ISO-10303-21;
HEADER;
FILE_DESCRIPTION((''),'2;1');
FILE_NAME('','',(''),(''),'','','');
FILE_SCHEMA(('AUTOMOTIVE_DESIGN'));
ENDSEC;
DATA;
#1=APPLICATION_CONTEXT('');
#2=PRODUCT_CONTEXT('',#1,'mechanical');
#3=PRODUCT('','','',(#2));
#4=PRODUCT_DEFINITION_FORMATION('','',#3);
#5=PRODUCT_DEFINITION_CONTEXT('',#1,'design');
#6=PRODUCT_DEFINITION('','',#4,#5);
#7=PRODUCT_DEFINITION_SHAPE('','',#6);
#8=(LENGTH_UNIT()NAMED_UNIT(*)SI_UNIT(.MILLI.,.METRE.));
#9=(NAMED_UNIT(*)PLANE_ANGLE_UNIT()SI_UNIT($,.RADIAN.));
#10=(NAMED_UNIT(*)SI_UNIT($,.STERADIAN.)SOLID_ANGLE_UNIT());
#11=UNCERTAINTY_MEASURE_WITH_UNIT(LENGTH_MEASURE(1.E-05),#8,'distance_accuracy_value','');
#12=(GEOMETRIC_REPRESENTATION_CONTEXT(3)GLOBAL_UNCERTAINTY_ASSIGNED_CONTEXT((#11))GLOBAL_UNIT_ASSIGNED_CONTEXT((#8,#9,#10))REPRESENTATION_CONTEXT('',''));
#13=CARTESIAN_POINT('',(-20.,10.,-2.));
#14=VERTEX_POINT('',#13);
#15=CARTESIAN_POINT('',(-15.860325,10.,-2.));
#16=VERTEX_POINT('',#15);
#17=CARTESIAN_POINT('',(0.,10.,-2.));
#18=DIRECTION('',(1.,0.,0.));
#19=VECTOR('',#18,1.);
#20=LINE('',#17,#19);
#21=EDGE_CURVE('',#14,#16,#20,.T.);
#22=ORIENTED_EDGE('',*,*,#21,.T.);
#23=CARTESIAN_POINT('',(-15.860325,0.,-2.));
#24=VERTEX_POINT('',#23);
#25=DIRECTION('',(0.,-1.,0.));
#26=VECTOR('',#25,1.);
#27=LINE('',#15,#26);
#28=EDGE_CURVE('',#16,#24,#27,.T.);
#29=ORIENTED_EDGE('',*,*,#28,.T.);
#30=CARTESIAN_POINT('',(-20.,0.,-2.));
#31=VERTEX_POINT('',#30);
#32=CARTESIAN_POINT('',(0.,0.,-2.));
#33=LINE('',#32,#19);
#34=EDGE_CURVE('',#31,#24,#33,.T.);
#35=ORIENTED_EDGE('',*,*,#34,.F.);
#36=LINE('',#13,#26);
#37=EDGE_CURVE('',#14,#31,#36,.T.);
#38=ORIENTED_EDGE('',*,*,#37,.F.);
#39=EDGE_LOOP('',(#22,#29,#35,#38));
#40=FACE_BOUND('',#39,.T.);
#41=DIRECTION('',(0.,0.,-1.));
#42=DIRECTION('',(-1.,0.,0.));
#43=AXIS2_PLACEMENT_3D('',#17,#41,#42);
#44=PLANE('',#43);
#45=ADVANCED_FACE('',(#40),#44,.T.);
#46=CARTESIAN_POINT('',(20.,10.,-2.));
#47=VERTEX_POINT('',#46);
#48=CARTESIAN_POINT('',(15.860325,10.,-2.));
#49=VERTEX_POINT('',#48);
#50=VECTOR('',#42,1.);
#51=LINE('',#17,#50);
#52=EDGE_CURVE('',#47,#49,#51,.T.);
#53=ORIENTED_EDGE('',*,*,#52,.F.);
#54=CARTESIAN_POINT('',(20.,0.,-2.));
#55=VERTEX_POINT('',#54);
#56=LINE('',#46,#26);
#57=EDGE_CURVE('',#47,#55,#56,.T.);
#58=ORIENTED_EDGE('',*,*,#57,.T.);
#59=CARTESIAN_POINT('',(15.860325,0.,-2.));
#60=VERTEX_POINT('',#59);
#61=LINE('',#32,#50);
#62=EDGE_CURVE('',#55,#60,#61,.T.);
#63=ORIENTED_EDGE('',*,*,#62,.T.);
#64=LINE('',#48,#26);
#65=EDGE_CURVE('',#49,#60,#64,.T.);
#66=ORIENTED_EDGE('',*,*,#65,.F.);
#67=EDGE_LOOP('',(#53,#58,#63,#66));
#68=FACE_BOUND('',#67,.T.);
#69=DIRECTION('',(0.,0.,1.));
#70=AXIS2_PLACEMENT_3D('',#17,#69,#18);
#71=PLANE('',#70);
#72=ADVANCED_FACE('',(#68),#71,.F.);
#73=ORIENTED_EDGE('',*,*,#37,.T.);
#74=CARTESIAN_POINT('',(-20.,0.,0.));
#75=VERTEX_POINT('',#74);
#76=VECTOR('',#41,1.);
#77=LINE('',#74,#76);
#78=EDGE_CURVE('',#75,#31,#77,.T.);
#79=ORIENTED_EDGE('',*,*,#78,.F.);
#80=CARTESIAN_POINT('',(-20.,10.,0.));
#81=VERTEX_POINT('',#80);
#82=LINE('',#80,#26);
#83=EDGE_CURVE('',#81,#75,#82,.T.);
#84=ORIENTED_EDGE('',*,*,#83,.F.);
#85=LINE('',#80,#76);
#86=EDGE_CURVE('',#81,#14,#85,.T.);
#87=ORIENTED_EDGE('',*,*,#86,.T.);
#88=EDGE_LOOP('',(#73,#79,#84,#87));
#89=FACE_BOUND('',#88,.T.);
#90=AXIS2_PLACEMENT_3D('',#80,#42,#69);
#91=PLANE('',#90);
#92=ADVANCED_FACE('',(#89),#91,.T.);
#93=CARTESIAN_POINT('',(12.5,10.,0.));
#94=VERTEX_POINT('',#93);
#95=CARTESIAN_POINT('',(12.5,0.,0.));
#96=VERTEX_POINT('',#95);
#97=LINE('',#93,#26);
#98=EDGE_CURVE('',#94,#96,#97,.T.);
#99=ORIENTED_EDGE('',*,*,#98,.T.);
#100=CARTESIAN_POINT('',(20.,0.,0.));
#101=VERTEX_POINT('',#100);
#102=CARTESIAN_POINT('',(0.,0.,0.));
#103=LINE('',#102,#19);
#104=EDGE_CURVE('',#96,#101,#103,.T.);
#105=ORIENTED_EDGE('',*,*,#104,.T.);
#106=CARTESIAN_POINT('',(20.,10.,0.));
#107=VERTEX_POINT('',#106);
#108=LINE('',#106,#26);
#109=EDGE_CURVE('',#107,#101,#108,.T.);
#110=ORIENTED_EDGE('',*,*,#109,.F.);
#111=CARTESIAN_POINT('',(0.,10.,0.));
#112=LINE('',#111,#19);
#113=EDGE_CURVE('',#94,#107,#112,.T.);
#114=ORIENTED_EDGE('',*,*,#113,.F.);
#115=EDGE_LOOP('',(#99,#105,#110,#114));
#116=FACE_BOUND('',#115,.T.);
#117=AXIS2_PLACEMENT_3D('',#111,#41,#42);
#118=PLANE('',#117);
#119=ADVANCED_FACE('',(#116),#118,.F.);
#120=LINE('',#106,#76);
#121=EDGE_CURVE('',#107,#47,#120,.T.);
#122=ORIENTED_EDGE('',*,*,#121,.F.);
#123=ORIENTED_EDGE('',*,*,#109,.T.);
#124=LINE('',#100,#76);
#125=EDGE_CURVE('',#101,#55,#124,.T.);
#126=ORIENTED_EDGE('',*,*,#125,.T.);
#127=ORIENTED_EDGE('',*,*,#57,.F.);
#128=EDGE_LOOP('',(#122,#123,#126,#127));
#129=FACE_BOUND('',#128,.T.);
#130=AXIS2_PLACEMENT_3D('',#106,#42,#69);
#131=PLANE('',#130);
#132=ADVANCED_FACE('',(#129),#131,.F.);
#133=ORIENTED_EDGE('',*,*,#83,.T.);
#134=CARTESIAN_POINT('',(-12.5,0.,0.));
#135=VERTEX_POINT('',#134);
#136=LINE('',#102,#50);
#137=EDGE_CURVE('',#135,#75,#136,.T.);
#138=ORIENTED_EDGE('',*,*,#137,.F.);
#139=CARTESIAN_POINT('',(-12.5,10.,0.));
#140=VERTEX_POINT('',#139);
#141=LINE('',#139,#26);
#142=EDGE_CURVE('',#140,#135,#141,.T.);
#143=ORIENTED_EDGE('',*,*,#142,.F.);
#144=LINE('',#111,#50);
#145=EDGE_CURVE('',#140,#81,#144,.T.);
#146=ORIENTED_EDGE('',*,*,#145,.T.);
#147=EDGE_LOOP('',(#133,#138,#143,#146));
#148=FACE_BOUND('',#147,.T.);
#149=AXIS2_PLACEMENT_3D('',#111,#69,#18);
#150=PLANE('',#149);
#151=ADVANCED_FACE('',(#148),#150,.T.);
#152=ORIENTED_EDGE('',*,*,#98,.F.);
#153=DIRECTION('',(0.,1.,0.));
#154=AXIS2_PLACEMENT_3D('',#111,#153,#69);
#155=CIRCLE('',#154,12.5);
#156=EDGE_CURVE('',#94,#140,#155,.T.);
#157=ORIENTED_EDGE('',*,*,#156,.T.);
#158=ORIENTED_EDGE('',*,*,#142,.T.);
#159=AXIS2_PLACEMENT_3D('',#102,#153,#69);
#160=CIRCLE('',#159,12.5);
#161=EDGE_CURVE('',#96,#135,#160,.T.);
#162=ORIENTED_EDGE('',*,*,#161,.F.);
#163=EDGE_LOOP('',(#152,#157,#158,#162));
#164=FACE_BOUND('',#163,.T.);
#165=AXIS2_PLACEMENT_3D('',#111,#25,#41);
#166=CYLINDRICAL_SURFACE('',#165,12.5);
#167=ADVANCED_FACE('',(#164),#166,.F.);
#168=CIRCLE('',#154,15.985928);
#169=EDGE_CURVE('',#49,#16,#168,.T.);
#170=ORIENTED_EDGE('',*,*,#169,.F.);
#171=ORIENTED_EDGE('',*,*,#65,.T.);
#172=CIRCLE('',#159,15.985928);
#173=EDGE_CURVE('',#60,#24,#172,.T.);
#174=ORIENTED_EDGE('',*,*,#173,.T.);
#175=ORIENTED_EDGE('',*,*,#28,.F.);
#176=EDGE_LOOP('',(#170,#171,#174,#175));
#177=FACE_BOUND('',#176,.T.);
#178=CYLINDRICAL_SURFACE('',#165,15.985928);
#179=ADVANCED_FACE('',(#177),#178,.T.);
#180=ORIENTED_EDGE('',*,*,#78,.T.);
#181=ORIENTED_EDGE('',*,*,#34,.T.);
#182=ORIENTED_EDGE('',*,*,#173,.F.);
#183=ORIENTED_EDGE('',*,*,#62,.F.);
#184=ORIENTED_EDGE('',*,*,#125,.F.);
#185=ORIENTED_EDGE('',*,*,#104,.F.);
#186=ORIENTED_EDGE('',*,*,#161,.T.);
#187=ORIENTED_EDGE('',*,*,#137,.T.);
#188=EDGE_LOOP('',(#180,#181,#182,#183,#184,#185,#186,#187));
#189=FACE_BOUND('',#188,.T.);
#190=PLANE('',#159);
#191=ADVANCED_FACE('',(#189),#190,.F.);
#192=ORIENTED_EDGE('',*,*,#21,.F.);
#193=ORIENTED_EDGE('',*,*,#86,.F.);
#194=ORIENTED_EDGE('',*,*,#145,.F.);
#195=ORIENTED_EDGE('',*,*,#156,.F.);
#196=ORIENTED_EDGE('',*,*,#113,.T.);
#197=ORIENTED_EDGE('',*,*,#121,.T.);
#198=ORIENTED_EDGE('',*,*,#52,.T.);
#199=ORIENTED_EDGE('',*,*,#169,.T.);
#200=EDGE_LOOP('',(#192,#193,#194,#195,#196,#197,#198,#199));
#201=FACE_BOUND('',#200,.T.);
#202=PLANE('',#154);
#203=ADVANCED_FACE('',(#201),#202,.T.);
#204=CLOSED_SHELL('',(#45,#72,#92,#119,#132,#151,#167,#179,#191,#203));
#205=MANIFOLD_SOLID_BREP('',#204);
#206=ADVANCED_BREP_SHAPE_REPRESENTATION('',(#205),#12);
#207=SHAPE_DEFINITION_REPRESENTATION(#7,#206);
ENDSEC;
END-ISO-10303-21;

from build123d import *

# Parameters (mm, degrees)
BOSS_EXTRUDE1_DEPTH = 10


with BuildPart() as part:
    # Sketch1 → Boss-Extrude1 (new body)
    with BuildSketch(Plane(origin=(0, 0, 0), x_dir=(1, 0, 0), z_dir=(0, 1, 0))):
        with BuildLine():
            Line((-20, 0), (-15.985928344, 0))
            ThreePointArc((-15.985928344, 0), (-15.954496575, 1.001970088), (-15.860324871, 2))
            Line((-15.860324871, 2), (-19.202832359, 2))
            Line((-19.202832359, 2), (-20, 2))
            Line((-20, 2), (-20, 0))
        make_face()
        with BuildLine():
            Line((-15.985928344, 0), (-12.5, 0))
            ThreePointArc((-12.5, 0), (0, 12.5), (12.5, 0))
            Line((12.5, 0), (15.985928344, 0))
            ThreePointArc((15.985928344, 0), (15.954496575, 1.001970088), (15.860324871, 2))
            ThreePointArc((15.860324871, 2), (0, 15.985928344), (-15.860324871, 2))
            ThreePointArc((-15.860324871, 2), (-15.954496575, 1.001970088), (-15.985928344, 0))
        make_face()
        with BuildLine():
            ThreePointArc((15.860324871, 2), (15.954496575, 1.001970088), (15.985928344, 0))
            Line((15.985928344, 0), (20, 0))
            Line((20, 0), (20, 2))
            Line((20, 2), (19.202832359, 2))
            Line((19.202832359, 2), (15.860324871, 2))
        make_face()
    extrude(amount=BOSS_EXTRUDE1_DEPTH)


solid = part.part
